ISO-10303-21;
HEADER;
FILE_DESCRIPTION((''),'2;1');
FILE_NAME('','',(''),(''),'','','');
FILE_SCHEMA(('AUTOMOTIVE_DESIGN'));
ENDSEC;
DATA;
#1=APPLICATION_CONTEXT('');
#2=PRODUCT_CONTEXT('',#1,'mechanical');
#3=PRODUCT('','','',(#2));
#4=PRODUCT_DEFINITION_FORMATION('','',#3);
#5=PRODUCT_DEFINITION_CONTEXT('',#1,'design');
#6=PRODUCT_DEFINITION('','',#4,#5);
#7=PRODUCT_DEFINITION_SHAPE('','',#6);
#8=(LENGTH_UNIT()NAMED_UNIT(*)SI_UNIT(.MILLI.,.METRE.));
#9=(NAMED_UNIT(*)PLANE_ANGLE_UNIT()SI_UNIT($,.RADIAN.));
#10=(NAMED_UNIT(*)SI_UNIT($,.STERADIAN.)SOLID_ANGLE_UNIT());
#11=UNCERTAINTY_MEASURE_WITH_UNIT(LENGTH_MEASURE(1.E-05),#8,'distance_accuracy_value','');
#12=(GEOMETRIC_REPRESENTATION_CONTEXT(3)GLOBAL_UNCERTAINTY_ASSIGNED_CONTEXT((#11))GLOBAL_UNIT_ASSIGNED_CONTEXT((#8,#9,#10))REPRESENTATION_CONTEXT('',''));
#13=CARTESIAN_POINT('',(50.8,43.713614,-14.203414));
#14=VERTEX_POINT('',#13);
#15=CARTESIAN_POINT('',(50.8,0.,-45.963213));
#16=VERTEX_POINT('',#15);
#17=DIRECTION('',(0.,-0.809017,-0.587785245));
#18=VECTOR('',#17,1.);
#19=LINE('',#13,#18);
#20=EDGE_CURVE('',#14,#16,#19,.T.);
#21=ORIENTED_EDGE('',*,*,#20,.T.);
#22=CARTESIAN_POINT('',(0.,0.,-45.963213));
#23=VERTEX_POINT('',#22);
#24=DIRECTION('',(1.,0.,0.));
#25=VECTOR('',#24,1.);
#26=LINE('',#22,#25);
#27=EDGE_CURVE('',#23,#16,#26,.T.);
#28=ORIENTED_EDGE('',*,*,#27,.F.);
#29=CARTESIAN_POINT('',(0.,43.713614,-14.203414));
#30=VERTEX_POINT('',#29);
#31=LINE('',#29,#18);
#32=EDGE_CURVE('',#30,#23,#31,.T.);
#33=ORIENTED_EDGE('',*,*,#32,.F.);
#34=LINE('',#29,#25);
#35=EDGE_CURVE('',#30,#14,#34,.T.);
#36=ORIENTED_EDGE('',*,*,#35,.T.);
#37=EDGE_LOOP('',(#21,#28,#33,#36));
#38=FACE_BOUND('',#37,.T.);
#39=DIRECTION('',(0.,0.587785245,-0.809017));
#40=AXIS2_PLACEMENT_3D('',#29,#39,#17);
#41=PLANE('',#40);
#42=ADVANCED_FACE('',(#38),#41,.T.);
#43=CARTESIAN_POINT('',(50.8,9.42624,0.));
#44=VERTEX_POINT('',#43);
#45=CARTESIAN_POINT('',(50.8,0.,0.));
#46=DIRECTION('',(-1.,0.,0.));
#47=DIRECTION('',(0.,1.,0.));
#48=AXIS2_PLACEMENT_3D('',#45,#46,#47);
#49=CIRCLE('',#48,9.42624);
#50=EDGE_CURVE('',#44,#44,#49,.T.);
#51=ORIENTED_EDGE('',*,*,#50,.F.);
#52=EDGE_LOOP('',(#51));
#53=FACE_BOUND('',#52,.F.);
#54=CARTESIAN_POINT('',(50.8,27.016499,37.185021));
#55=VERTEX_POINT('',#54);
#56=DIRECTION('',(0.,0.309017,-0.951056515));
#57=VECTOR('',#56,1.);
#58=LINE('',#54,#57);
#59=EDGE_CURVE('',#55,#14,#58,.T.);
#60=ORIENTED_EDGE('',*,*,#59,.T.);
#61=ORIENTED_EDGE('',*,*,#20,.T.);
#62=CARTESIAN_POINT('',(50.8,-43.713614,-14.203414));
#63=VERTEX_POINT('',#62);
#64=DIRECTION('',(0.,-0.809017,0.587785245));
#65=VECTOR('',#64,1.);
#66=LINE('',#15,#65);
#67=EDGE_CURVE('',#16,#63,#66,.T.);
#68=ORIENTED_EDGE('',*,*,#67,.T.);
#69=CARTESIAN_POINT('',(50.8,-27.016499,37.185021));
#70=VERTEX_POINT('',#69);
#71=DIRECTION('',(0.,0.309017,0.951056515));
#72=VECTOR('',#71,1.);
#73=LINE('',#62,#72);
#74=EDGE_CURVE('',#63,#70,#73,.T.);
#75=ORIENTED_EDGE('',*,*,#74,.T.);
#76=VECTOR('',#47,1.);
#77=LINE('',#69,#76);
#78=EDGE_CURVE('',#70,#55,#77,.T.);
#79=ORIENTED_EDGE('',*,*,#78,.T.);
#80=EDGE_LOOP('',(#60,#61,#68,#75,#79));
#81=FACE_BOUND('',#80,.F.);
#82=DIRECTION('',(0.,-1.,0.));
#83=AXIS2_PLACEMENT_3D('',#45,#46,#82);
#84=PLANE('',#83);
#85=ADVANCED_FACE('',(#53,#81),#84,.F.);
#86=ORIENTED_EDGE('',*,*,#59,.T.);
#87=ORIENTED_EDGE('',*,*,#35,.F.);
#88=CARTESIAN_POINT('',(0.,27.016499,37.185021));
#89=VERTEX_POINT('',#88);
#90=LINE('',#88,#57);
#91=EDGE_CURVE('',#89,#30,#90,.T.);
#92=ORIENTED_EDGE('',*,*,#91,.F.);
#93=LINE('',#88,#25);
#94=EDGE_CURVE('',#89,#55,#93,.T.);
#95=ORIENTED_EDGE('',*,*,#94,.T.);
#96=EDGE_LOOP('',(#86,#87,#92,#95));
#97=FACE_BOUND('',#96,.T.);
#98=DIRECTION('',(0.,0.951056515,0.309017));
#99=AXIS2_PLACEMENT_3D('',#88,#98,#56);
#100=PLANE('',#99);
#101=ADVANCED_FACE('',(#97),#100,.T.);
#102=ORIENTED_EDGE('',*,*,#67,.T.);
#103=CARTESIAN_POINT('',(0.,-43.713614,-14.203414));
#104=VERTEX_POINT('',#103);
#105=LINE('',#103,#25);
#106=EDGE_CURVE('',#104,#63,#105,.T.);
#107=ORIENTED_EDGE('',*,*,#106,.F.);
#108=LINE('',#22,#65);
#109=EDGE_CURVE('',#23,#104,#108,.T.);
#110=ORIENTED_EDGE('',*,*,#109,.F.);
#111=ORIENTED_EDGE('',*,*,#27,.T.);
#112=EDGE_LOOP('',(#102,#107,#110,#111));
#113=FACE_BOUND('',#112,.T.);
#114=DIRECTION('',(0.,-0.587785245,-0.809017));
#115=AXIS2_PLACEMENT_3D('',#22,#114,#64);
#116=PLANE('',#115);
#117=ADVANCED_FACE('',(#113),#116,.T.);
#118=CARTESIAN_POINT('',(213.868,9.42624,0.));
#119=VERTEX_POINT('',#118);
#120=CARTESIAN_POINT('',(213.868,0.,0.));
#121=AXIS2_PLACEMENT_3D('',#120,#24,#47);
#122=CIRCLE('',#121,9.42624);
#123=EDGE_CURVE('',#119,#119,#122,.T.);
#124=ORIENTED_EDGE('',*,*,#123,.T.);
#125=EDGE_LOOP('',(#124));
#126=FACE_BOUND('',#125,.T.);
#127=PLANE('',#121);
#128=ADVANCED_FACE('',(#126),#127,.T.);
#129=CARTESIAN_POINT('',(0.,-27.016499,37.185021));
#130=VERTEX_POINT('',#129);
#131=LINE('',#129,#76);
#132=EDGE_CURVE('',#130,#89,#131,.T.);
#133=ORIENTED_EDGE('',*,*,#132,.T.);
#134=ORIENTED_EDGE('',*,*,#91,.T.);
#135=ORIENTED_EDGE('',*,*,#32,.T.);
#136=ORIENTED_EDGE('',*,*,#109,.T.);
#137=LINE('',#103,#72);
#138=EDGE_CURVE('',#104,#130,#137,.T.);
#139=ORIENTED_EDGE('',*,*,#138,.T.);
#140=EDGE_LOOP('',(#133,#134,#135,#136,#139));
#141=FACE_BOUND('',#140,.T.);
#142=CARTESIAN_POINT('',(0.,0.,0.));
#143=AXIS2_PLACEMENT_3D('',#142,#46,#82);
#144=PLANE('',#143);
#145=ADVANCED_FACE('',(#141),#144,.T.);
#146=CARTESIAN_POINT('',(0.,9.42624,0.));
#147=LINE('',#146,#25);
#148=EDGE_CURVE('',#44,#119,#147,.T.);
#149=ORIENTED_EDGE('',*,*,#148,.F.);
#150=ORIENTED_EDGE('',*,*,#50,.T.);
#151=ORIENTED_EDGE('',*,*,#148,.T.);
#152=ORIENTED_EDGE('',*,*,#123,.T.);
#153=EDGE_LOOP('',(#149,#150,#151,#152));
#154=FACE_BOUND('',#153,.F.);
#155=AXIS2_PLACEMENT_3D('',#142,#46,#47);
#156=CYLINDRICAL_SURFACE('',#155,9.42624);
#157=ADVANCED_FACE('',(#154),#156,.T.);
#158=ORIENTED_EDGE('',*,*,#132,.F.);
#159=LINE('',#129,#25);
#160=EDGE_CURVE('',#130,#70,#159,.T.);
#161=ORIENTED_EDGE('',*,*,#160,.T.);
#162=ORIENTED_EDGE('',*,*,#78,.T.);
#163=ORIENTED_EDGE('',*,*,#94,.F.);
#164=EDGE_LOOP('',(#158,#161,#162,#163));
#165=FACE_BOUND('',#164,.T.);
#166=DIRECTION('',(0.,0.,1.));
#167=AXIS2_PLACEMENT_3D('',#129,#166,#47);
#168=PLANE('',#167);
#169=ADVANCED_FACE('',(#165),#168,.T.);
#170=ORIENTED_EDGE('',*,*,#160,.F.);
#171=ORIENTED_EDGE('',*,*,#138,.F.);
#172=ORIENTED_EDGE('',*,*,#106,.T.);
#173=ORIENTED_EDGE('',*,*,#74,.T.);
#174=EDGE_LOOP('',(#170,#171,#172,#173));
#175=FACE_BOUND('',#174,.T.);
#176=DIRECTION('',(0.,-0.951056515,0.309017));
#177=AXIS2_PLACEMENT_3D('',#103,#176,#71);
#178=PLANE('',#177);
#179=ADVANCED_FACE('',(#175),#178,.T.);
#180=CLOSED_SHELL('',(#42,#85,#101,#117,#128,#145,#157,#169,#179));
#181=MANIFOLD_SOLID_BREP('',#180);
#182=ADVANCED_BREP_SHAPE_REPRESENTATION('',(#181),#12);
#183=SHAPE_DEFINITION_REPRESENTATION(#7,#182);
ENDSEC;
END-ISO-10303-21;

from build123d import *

# Parameters (mm, degrees)
F0_R     = 9.42624
F1_DEPTH = 213.868
F3_DEPTH = 50.8


with BuildPart() as f1:
    # F0 (on Right) → F1 (new body)
    with BuildSketch(Plane.YZ):
        Circle(F0_R)
    extrude(amount=F1_DEPTH)

    # F2 (on face) → F3 (join)
    with BuildSketch(Plane(origin=(0, 0, 0), x_dir=(0, -1, 0), z_dir=(-1, 0, 0))):
        Polygon((27.016499, 37.185021), (-27.016499, 37.185021), (-43.713614, -14.203414), (0, -45.963213), (43.713614, -14.203414), align=None)
    extrude(amount=-F3_DEPTH)


solid = f1.part
